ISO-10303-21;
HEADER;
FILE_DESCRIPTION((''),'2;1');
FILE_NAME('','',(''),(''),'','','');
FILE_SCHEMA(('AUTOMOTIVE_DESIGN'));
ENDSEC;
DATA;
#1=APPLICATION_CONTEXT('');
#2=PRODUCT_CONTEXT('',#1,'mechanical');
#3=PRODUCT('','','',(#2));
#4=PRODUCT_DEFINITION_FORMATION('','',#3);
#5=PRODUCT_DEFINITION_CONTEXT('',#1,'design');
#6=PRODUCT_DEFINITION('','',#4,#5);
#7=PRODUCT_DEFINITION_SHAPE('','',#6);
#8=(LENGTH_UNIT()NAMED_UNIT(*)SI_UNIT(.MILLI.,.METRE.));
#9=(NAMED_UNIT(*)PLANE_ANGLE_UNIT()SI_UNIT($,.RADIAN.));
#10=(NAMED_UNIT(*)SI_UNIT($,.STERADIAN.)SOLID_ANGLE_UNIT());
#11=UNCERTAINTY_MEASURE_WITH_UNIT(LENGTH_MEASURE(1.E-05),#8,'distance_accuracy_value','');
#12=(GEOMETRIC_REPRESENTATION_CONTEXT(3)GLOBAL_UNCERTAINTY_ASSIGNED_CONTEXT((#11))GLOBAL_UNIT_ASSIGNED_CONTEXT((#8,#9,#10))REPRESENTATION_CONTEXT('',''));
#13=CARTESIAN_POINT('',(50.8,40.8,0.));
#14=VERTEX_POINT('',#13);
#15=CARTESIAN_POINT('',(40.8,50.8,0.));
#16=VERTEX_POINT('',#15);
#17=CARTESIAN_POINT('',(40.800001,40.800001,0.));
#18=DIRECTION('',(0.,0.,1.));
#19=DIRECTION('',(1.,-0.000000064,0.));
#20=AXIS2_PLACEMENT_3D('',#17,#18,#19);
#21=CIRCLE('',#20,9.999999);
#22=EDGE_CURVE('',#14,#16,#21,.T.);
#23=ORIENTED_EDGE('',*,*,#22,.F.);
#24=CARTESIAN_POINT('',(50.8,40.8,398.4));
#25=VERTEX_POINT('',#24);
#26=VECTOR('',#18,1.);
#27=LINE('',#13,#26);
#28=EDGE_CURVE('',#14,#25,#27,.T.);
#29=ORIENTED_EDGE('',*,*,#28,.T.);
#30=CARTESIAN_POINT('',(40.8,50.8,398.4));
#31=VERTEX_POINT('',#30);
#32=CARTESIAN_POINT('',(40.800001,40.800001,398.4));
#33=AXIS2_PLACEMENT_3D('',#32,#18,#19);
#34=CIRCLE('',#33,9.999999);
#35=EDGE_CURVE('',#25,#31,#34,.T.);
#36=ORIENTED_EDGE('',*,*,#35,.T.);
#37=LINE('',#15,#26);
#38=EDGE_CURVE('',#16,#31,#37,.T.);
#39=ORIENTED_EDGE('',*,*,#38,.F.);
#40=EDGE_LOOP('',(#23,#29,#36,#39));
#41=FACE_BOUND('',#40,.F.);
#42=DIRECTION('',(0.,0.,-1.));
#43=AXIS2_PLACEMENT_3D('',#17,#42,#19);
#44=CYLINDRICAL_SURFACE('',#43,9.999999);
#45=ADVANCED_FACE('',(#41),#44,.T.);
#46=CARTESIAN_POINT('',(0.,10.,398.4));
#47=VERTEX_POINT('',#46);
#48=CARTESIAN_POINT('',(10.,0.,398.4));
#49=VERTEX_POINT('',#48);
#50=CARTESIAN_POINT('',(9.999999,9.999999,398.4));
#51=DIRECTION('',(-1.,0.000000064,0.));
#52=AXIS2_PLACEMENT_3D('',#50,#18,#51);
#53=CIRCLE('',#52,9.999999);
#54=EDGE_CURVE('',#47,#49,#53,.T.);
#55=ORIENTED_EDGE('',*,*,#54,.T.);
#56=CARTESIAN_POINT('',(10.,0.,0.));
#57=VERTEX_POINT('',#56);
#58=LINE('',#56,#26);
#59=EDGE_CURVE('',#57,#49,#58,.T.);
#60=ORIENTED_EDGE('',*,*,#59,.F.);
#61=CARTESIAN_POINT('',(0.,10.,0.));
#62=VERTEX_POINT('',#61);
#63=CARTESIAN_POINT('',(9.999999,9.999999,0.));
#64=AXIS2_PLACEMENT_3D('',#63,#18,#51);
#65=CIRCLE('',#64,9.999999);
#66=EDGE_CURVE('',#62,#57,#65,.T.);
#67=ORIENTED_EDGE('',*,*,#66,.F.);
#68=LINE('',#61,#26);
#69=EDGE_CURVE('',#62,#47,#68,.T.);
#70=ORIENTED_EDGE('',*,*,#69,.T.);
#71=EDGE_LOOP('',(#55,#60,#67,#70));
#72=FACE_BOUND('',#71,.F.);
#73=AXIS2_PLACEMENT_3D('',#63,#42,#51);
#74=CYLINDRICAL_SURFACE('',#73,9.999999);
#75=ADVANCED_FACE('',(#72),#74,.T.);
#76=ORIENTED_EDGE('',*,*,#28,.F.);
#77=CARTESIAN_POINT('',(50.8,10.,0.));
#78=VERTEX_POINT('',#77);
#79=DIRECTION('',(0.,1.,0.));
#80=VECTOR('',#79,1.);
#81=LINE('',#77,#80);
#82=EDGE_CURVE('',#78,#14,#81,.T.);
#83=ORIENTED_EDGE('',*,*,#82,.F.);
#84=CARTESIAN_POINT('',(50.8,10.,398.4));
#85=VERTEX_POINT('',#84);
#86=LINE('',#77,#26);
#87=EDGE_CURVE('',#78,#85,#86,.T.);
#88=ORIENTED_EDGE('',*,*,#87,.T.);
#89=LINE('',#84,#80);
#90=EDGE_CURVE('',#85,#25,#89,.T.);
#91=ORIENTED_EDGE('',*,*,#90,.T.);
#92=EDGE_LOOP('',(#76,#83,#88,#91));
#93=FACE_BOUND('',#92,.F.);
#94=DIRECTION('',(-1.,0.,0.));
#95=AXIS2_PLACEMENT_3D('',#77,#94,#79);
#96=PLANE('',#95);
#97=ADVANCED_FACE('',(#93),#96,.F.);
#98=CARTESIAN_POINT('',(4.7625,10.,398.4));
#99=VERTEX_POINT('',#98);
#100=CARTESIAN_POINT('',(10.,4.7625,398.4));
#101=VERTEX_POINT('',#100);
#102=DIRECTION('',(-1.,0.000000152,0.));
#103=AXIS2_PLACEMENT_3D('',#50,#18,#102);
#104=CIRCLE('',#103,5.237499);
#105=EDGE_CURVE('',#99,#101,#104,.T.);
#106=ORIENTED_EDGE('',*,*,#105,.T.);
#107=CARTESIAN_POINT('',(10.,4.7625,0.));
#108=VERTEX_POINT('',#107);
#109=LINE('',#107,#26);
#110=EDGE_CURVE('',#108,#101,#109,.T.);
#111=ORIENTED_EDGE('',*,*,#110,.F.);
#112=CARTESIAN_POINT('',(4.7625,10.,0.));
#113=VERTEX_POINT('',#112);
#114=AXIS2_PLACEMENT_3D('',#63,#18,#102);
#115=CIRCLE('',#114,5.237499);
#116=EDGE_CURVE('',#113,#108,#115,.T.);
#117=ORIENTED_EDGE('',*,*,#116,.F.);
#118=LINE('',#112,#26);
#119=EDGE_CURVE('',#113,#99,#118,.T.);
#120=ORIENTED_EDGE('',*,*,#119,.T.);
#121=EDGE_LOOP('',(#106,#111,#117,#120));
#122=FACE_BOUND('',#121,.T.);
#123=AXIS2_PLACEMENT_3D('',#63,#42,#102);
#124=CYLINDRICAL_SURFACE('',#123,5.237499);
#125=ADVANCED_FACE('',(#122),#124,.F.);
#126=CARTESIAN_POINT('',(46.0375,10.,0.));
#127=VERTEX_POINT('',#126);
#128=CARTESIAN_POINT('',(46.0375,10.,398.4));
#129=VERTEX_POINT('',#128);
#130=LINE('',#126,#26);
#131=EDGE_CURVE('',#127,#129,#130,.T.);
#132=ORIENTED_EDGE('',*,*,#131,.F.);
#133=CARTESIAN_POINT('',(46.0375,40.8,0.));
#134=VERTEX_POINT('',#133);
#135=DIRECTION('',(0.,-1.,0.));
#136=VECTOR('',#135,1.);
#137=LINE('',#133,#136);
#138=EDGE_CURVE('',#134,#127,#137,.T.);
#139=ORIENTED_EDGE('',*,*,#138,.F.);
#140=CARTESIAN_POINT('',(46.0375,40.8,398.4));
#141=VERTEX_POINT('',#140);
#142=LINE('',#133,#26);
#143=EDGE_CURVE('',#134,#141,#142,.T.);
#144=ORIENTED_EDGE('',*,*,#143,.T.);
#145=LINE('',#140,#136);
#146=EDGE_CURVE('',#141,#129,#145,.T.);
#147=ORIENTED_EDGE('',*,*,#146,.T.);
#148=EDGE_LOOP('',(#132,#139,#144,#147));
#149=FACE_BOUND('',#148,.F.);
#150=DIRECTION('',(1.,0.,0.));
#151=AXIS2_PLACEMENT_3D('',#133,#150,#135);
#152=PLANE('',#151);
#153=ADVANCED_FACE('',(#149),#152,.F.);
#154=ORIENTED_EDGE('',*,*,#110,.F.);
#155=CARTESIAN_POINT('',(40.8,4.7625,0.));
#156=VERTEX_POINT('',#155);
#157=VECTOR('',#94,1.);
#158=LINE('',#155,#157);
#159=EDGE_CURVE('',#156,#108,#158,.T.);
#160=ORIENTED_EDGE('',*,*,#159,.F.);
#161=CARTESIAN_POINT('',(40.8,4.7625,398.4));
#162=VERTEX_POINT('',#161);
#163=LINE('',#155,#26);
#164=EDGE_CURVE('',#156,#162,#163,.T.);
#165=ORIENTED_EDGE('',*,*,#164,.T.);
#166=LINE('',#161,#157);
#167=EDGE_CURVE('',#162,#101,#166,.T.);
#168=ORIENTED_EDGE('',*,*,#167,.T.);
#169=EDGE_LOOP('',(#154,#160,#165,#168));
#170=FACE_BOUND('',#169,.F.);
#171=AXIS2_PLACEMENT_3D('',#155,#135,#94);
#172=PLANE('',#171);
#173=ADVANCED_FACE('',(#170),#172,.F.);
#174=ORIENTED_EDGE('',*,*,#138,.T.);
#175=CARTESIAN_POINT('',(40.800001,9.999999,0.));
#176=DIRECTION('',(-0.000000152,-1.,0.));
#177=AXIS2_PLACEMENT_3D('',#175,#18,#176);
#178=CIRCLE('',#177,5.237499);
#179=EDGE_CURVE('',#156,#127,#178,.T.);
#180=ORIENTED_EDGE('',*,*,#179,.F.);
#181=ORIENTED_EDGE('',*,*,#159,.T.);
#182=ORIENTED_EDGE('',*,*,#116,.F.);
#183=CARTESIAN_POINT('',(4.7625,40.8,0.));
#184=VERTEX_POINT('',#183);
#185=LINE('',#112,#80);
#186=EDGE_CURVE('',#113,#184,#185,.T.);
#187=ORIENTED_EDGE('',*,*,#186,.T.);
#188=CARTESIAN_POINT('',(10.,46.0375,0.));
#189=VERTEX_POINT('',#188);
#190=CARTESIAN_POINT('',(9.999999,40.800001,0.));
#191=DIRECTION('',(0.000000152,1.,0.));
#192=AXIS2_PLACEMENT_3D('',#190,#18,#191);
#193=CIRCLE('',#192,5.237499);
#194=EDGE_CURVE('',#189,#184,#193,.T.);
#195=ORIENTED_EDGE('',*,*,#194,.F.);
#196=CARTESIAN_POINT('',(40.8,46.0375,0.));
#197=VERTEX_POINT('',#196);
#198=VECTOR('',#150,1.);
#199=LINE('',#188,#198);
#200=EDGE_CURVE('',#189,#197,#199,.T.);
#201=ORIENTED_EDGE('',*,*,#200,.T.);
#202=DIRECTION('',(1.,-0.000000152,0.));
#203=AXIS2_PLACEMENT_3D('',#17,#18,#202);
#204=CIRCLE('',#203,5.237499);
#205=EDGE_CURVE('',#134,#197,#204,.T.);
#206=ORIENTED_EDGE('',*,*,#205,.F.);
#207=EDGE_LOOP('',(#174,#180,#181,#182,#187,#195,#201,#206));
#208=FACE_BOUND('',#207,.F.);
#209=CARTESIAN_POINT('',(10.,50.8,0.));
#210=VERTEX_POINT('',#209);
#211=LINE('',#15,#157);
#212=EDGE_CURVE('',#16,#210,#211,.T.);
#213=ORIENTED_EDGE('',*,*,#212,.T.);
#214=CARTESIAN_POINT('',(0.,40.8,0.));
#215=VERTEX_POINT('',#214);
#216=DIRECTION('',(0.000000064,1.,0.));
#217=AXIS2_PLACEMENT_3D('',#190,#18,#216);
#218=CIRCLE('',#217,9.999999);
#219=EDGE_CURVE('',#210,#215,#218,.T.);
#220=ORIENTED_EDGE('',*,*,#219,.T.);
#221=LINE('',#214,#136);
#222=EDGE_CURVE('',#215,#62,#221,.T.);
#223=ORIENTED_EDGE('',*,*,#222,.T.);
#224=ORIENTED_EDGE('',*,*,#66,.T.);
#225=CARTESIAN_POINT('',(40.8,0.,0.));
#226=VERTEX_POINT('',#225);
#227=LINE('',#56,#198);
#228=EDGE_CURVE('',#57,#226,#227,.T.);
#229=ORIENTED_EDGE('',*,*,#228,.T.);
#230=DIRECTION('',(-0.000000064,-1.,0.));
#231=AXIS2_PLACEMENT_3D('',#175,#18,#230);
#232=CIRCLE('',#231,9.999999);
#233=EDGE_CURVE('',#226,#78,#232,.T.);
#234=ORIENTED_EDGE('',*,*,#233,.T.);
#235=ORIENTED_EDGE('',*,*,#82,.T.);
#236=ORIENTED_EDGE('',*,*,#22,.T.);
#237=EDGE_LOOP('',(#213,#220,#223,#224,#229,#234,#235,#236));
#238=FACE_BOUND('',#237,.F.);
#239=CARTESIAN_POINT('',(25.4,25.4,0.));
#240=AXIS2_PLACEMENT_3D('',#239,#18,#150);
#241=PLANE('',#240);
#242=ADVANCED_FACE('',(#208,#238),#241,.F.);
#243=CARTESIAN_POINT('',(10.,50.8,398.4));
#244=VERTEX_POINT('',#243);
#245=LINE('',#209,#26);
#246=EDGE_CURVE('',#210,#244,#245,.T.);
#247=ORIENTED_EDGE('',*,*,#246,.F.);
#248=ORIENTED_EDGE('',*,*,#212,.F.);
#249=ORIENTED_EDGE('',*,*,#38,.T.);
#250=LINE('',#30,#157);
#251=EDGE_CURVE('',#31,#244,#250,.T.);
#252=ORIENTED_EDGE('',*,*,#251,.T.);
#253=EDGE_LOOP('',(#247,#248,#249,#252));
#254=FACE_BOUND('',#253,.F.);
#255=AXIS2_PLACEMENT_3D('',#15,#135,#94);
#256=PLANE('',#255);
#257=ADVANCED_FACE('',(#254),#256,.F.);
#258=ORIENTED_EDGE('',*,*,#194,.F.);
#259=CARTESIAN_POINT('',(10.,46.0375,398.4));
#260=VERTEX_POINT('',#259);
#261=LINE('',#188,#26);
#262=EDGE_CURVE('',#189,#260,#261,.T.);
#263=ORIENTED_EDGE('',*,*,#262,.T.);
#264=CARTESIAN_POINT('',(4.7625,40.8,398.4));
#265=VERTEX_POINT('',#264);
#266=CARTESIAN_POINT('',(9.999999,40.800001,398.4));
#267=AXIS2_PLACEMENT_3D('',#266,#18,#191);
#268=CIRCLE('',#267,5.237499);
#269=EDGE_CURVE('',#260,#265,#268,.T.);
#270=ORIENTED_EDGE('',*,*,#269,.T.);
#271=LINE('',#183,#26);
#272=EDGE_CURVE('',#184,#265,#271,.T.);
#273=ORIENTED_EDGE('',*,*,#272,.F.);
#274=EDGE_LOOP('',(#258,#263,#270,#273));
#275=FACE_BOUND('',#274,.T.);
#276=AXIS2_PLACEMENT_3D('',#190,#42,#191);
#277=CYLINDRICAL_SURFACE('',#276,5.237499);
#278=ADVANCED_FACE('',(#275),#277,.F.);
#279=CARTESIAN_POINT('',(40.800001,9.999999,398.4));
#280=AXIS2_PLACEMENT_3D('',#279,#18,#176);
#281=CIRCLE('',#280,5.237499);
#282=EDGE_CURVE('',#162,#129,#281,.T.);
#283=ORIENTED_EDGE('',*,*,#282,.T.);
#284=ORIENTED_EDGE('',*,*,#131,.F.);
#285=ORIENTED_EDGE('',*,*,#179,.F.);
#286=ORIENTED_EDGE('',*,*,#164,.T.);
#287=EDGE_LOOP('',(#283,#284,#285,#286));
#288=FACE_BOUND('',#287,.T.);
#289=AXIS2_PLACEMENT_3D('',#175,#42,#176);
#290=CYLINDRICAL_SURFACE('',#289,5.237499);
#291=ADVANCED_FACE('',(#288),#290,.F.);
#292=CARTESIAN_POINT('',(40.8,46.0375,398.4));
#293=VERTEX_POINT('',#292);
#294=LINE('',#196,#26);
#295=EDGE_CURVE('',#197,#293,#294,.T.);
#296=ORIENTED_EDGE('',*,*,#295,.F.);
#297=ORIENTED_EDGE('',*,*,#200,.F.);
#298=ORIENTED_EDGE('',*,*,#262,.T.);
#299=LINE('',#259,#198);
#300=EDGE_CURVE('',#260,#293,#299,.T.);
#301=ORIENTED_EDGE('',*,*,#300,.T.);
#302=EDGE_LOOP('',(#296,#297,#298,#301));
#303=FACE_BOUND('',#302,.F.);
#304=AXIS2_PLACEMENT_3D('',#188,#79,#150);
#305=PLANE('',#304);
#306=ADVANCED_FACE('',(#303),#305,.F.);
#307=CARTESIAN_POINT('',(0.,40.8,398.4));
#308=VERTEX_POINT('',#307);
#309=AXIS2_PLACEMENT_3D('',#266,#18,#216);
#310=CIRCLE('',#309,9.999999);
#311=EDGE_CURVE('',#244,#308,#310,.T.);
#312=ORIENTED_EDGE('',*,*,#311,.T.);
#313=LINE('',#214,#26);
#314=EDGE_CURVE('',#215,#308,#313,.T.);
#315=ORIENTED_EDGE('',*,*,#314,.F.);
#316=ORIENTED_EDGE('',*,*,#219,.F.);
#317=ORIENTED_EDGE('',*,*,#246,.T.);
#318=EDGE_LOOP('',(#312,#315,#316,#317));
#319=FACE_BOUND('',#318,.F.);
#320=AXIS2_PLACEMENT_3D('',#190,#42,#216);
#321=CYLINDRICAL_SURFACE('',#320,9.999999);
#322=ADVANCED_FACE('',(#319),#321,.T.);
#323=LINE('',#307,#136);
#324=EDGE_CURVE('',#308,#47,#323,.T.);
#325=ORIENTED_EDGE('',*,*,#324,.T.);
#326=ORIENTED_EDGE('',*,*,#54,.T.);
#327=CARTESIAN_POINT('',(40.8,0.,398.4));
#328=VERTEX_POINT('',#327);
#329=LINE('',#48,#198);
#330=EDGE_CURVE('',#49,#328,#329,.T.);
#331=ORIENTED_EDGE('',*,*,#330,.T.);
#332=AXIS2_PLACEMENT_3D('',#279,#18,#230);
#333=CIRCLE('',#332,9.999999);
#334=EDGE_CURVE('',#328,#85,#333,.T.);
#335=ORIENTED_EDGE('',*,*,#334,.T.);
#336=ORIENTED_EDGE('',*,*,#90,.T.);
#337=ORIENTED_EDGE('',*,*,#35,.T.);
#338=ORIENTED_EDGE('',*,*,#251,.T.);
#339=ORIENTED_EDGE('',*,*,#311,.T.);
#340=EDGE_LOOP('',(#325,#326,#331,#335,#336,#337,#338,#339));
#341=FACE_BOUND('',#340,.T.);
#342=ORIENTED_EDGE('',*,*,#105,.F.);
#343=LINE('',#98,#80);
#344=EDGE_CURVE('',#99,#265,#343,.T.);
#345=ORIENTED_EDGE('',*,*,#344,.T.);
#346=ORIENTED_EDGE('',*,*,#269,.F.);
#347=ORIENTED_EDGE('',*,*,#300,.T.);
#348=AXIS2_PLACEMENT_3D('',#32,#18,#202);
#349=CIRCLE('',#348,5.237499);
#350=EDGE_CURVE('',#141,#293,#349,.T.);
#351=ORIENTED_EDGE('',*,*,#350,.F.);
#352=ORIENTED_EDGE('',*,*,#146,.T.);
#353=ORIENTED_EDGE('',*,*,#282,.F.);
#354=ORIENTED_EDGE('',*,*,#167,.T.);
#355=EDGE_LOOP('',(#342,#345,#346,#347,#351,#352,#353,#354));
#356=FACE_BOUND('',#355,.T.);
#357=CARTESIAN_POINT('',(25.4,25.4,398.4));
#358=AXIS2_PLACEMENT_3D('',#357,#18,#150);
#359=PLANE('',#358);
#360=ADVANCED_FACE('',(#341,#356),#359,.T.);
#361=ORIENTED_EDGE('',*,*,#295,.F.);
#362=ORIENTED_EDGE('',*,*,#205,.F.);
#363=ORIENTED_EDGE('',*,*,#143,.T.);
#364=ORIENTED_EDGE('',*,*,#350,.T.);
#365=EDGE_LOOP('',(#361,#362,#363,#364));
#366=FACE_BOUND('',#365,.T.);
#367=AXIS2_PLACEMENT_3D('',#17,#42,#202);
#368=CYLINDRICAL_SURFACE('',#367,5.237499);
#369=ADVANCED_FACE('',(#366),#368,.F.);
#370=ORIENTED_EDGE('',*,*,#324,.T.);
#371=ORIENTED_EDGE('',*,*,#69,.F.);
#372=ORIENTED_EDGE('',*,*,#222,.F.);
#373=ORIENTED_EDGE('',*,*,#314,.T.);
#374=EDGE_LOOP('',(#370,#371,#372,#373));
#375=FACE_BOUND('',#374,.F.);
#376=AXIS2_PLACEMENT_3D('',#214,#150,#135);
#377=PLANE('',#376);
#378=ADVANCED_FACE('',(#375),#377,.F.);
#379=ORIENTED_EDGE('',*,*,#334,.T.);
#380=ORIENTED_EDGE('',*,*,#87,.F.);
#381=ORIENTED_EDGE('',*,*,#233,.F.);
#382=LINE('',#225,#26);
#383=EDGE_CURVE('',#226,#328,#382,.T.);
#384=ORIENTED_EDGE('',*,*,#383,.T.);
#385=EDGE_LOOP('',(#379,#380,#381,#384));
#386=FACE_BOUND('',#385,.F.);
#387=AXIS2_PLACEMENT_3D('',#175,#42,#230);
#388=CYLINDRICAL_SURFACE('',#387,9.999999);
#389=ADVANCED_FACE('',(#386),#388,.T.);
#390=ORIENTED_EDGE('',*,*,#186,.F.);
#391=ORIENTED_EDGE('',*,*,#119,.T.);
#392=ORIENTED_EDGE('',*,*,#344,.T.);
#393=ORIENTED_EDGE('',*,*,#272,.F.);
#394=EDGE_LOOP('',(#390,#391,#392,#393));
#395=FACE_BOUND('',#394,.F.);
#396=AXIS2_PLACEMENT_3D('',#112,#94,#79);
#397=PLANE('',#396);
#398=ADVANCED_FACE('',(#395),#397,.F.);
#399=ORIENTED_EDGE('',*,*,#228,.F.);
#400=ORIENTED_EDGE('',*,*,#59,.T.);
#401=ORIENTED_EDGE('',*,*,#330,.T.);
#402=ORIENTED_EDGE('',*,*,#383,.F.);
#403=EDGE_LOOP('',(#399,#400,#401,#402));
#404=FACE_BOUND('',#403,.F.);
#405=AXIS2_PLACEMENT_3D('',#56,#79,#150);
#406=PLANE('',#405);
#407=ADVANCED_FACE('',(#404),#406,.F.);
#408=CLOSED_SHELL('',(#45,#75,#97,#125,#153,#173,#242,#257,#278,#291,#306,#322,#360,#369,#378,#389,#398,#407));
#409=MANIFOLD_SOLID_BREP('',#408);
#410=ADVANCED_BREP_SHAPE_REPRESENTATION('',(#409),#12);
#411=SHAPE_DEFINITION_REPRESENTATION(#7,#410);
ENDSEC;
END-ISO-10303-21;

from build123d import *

# Parameters (mm, degrees)
PAD004_DEPTH = 398.4


with BuildPart() as part:
    # Sketch004 → Pad004 (new body)
    with BuildSketch(Plane.XY):
        with BuildLine():
            Line((10, 0), (40.8, 0))
            ThreePointArc((40.8, 0), (47.871068, 2.928932), (50.8, 10))
            Line((50.8, 10), (50.8, 40.8))
            ThreePointArc((50.8, 40.8), (47.871068, 47.871068), (40.8, 50.8))
            Line((40.8, 50.8), (10, 50.8))
            ThreePointArc((10, 50.8), (2.928932, 47.871068), (0, 40.8))
            Line((0, 40.8), (0, 10))
            ThreePointArc((0, 10), (2.928932, 2.928932), (10, 0))
        make_face()
        with BuildLine():
            Line((10, 46.0375), (40.8, 46.0375))
            ThreePointArc((46.0375, 40.8), (44.503472, 44.503472), (40.8, 46.0375))
            Line((46.0375, 40.8), (46.0375, 10))
            ThreePointArc((40.8, 4.7625), (44.503472, 6.296528), (46.0375, 10))
            Line((40.8, 4.7625), (10, 4.7625))
            ThreePointArc((4.7625, 10), (6.296528, 6.296528), (10, 4.7625))
            Line((4.7625, 10), (4.7625, 40.8))
            ThreePointArc((10, 46.0375), (6.296528, 44.503472), (4.7625, 40.8))
        make_face(mode=Mode.SUBTRACT)
    extrude(amount=PAD004_DEPTH)


solid = part.part
